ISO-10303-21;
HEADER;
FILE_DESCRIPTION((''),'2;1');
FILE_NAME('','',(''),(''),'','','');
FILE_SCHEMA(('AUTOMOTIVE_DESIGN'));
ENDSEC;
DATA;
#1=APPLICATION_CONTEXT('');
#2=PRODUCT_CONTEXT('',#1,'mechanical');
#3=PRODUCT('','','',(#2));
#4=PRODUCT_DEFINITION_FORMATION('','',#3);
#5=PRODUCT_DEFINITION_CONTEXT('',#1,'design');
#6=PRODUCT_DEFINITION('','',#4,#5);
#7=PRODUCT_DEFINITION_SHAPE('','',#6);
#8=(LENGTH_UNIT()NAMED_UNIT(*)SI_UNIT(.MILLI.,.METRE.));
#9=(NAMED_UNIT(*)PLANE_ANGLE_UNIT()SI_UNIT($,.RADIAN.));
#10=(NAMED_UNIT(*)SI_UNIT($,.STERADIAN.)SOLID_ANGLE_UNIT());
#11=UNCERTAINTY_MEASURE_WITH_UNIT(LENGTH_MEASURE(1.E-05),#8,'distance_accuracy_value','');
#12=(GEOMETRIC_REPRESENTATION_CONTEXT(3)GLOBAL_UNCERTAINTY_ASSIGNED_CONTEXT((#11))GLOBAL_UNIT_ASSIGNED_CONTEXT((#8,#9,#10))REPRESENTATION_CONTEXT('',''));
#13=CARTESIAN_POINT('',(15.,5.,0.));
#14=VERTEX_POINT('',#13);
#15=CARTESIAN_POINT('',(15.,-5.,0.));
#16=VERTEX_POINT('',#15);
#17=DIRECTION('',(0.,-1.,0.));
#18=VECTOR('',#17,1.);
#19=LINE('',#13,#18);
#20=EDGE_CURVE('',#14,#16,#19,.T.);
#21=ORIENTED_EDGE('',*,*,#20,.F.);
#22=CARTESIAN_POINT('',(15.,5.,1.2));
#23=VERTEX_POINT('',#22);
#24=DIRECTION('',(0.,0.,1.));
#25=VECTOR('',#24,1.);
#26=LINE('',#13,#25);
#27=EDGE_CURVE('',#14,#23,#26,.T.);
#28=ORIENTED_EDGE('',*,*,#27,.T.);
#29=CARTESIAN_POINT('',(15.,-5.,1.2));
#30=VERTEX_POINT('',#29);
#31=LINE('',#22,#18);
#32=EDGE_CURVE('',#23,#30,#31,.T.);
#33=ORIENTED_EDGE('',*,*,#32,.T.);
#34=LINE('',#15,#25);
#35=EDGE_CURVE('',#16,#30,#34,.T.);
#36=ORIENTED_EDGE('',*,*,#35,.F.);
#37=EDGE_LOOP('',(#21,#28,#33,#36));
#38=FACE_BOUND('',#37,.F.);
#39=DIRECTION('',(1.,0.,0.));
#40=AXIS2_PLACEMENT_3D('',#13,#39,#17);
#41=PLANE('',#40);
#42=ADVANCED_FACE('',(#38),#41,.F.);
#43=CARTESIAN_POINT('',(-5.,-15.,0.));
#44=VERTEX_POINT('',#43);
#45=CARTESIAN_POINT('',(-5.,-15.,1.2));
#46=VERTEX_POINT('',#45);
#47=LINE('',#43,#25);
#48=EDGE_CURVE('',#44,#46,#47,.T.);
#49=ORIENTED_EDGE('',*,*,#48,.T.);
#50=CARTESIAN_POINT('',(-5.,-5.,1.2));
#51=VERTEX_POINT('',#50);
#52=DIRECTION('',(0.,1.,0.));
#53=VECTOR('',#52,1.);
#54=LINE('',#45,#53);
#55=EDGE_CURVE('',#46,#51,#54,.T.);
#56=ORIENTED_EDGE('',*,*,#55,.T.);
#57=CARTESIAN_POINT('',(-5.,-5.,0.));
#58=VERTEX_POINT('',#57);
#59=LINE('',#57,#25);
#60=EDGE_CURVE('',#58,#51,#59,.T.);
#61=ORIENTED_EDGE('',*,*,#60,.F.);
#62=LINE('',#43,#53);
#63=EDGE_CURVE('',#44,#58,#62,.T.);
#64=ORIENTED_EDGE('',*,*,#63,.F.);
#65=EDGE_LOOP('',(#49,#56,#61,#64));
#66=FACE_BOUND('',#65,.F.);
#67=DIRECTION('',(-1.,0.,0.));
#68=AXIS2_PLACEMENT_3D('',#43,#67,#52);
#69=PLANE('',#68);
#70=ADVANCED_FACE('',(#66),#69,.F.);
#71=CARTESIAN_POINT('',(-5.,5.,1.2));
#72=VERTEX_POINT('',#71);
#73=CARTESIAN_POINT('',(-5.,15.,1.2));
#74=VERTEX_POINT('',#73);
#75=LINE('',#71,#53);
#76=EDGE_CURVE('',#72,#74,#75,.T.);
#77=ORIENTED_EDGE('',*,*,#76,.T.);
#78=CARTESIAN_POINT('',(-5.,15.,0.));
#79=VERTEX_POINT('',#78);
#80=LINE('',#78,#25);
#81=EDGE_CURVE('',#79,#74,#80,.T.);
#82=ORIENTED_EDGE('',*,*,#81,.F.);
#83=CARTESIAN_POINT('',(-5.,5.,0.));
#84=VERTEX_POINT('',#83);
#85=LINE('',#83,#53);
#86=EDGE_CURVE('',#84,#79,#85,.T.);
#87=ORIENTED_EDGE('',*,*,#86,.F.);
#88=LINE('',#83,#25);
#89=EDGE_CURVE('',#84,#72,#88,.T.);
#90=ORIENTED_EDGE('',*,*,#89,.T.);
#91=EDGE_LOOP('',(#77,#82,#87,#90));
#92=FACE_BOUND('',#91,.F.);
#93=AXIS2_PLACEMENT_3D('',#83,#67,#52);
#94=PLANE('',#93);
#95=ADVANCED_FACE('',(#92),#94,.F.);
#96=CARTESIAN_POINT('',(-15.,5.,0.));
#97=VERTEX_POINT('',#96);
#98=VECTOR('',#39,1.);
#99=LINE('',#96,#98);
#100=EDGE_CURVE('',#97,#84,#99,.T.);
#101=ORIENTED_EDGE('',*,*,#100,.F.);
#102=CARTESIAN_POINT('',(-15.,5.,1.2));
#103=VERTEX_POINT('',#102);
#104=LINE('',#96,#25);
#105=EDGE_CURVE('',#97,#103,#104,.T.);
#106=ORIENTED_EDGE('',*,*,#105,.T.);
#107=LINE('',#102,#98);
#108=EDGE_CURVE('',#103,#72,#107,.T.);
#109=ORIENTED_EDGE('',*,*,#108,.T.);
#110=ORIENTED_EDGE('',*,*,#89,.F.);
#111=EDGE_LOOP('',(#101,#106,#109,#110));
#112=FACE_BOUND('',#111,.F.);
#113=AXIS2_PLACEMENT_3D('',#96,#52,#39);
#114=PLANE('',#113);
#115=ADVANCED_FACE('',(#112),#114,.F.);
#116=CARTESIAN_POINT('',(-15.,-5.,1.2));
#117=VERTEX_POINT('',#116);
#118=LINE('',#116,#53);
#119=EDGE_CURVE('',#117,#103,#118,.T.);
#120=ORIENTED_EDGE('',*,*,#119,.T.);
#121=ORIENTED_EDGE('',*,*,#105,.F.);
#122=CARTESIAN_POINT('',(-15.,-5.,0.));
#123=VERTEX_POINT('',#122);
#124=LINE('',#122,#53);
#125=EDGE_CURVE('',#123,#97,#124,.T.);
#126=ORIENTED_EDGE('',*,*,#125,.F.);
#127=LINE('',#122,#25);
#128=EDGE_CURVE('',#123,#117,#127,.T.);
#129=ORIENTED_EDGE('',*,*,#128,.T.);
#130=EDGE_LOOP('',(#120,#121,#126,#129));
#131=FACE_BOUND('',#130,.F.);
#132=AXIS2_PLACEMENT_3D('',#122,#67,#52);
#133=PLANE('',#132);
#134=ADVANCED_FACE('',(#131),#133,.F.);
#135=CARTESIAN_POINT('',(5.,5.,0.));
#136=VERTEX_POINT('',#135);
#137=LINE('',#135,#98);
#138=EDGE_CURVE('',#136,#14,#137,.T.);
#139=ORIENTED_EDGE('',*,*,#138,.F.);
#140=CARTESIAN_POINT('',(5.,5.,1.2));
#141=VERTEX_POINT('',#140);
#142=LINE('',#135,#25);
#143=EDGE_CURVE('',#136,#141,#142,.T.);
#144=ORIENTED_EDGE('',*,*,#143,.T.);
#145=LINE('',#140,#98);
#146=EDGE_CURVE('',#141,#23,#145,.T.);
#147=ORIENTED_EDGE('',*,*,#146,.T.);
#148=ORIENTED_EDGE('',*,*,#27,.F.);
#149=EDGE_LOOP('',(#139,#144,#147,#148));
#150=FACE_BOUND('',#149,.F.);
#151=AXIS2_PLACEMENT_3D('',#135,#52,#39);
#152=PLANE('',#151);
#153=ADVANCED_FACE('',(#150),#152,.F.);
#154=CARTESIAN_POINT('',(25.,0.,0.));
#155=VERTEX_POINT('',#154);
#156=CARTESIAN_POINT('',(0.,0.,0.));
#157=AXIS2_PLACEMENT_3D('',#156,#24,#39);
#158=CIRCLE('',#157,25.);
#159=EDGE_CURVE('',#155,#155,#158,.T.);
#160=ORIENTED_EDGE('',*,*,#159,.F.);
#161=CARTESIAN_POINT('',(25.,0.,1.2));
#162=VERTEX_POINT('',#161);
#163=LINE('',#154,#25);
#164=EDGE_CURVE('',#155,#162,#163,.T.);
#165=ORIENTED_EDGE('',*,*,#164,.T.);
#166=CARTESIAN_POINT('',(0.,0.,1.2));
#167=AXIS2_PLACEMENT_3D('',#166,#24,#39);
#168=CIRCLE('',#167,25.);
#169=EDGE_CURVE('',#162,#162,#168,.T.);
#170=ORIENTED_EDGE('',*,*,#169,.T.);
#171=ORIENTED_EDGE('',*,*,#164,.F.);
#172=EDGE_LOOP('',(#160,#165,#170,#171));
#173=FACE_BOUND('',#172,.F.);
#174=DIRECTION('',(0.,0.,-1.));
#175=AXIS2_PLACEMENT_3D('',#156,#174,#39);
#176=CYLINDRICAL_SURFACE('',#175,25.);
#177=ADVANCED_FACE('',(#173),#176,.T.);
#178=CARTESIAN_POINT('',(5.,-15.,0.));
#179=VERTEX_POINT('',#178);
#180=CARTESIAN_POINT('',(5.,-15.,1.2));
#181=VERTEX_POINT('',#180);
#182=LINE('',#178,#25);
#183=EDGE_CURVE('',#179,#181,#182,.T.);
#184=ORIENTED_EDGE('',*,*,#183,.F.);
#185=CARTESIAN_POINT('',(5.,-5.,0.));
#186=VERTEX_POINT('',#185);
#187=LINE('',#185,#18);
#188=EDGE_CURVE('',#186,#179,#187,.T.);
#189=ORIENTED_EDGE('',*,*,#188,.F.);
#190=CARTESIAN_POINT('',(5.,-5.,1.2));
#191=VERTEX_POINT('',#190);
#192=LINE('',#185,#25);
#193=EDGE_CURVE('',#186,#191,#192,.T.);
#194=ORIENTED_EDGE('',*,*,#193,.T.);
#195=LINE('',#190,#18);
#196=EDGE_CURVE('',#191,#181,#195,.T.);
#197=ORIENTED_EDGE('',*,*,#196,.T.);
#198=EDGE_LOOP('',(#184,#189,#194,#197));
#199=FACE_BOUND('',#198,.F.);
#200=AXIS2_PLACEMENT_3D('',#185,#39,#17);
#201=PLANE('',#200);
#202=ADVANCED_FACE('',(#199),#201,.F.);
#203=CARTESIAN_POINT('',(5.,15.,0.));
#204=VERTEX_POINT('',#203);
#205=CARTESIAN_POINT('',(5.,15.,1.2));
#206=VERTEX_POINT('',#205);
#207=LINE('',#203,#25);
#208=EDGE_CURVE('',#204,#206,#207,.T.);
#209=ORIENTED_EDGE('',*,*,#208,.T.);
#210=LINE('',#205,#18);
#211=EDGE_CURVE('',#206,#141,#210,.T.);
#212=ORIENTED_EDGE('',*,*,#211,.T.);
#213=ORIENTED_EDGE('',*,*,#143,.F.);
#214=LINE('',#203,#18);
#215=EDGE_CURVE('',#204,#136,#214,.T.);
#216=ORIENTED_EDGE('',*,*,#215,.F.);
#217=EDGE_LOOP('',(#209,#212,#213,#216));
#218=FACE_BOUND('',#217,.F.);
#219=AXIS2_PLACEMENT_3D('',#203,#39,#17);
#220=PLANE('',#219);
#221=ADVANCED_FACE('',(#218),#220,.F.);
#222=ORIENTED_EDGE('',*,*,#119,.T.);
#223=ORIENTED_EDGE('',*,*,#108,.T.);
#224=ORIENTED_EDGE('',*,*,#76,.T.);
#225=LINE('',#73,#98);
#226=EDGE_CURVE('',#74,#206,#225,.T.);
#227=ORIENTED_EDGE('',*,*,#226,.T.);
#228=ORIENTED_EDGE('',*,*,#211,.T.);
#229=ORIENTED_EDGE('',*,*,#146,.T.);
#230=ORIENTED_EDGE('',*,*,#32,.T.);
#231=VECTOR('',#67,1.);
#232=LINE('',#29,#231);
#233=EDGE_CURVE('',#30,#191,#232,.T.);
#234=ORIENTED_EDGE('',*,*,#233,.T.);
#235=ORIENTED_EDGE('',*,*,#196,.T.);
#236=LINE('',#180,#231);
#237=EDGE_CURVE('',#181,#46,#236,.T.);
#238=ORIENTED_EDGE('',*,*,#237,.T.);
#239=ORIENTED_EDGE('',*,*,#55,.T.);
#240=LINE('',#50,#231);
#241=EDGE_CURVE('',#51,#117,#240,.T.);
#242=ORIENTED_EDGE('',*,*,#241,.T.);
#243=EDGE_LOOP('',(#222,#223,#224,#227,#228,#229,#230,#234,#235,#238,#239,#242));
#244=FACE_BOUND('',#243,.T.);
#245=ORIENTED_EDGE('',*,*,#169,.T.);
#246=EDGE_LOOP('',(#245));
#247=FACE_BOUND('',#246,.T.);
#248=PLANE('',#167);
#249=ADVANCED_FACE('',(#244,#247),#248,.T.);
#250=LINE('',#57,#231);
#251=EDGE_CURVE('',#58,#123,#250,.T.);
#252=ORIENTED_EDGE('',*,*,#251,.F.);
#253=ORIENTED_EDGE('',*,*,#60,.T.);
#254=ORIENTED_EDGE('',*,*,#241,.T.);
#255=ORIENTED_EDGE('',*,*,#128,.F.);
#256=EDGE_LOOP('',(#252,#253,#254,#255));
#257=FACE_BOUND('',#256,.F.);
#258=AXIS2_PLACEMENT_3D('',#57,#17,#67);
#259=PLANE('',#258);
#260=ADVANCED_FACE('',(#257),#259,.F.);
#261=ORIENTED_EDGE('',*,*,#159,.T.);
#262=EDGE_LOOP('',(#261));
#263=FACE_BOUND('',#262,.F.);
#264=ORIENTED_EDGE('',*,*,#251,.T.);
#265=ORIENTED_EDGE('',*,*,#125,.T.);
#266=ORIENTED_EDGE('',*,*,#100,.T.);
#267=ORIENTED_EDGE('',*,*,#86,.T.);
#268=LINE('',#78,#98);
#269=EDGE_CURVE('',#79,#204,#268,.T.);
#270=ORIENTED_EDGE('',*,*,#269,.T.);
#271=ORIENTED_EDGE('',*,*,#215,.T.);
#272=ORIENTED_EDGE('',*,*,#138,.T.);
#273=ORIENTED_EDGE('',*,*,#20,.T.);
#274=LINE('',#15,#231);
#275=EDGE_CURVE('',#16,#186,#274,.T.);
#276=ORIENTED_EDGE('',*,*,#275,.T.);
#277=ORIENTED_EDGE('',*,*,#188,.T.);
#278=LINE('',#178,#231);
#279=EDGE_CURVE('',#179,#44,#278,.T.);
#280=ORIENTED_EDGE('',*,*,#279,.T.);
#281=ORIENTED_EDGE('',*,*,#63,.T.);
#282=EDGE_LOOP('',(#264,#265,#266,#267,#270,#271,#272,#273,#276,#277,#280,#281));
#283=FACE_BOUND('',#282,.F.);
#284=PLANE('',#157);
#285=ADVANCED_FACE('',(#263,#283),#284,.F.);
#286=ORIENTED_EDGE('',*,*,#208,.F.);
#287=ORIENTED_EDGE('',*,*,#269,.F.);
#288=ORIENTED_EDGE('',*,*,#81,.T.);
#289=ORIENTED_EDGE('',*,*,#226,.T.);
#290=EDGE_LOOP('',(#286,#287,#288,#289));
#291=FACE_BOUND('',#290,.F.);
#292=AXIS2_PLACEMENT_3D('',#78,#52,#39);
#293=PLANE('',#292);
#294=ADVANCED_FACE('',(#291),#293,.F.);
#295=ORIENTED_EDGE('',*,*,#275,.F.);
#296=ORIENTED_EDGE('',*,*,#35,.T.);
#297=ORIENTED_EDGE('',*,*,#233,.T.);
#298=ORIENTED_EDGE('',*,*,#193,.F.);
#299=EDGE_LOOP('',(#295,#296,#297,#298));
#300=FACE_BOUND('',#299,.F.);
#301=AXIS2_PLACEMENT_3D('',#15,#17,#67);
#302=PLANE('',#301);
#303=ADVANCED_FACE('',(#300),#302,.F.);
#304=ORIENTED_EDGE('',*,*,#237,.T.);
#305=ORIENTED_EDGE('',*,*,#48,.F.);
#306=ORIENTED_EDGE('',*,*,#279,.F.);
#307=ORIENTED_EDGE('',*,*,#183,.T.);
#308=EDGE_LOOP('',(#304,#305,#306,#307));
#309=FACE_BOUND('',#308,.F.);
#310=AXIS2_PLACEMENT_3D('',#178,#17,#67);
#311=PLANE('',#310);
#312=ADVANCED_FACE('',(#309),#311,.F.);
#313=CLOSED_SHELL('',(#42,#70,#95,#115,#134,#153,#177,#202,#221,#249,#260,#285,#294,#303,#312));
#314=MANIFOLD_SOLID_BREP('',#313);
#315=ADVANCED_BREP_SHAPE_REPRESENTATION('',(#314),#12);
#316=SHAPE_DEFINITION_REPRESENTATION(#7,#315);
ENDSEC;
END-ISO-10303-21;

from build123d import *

# Parameters (mm, degrees)
F0_R     = 25
F1_DEPTH = 1.2


with BuildPart() as f1:
    # F0 (on Top) → F1 (new body)
    with BuildSketch(Plane.XY):
        Circle(F0_R)
        Polygon((5, 15), (5, 5), (15, 5), (15, -5), (5, -5), (5, -15), (-5, -15), (-5, -5), (-15, -5), (-15, 5), (-5, 5), (-5, 15), align=None, mode=Mode.SUBTRACT)
    extrude(amount=F1_DEPTH)


solid = f1.part
